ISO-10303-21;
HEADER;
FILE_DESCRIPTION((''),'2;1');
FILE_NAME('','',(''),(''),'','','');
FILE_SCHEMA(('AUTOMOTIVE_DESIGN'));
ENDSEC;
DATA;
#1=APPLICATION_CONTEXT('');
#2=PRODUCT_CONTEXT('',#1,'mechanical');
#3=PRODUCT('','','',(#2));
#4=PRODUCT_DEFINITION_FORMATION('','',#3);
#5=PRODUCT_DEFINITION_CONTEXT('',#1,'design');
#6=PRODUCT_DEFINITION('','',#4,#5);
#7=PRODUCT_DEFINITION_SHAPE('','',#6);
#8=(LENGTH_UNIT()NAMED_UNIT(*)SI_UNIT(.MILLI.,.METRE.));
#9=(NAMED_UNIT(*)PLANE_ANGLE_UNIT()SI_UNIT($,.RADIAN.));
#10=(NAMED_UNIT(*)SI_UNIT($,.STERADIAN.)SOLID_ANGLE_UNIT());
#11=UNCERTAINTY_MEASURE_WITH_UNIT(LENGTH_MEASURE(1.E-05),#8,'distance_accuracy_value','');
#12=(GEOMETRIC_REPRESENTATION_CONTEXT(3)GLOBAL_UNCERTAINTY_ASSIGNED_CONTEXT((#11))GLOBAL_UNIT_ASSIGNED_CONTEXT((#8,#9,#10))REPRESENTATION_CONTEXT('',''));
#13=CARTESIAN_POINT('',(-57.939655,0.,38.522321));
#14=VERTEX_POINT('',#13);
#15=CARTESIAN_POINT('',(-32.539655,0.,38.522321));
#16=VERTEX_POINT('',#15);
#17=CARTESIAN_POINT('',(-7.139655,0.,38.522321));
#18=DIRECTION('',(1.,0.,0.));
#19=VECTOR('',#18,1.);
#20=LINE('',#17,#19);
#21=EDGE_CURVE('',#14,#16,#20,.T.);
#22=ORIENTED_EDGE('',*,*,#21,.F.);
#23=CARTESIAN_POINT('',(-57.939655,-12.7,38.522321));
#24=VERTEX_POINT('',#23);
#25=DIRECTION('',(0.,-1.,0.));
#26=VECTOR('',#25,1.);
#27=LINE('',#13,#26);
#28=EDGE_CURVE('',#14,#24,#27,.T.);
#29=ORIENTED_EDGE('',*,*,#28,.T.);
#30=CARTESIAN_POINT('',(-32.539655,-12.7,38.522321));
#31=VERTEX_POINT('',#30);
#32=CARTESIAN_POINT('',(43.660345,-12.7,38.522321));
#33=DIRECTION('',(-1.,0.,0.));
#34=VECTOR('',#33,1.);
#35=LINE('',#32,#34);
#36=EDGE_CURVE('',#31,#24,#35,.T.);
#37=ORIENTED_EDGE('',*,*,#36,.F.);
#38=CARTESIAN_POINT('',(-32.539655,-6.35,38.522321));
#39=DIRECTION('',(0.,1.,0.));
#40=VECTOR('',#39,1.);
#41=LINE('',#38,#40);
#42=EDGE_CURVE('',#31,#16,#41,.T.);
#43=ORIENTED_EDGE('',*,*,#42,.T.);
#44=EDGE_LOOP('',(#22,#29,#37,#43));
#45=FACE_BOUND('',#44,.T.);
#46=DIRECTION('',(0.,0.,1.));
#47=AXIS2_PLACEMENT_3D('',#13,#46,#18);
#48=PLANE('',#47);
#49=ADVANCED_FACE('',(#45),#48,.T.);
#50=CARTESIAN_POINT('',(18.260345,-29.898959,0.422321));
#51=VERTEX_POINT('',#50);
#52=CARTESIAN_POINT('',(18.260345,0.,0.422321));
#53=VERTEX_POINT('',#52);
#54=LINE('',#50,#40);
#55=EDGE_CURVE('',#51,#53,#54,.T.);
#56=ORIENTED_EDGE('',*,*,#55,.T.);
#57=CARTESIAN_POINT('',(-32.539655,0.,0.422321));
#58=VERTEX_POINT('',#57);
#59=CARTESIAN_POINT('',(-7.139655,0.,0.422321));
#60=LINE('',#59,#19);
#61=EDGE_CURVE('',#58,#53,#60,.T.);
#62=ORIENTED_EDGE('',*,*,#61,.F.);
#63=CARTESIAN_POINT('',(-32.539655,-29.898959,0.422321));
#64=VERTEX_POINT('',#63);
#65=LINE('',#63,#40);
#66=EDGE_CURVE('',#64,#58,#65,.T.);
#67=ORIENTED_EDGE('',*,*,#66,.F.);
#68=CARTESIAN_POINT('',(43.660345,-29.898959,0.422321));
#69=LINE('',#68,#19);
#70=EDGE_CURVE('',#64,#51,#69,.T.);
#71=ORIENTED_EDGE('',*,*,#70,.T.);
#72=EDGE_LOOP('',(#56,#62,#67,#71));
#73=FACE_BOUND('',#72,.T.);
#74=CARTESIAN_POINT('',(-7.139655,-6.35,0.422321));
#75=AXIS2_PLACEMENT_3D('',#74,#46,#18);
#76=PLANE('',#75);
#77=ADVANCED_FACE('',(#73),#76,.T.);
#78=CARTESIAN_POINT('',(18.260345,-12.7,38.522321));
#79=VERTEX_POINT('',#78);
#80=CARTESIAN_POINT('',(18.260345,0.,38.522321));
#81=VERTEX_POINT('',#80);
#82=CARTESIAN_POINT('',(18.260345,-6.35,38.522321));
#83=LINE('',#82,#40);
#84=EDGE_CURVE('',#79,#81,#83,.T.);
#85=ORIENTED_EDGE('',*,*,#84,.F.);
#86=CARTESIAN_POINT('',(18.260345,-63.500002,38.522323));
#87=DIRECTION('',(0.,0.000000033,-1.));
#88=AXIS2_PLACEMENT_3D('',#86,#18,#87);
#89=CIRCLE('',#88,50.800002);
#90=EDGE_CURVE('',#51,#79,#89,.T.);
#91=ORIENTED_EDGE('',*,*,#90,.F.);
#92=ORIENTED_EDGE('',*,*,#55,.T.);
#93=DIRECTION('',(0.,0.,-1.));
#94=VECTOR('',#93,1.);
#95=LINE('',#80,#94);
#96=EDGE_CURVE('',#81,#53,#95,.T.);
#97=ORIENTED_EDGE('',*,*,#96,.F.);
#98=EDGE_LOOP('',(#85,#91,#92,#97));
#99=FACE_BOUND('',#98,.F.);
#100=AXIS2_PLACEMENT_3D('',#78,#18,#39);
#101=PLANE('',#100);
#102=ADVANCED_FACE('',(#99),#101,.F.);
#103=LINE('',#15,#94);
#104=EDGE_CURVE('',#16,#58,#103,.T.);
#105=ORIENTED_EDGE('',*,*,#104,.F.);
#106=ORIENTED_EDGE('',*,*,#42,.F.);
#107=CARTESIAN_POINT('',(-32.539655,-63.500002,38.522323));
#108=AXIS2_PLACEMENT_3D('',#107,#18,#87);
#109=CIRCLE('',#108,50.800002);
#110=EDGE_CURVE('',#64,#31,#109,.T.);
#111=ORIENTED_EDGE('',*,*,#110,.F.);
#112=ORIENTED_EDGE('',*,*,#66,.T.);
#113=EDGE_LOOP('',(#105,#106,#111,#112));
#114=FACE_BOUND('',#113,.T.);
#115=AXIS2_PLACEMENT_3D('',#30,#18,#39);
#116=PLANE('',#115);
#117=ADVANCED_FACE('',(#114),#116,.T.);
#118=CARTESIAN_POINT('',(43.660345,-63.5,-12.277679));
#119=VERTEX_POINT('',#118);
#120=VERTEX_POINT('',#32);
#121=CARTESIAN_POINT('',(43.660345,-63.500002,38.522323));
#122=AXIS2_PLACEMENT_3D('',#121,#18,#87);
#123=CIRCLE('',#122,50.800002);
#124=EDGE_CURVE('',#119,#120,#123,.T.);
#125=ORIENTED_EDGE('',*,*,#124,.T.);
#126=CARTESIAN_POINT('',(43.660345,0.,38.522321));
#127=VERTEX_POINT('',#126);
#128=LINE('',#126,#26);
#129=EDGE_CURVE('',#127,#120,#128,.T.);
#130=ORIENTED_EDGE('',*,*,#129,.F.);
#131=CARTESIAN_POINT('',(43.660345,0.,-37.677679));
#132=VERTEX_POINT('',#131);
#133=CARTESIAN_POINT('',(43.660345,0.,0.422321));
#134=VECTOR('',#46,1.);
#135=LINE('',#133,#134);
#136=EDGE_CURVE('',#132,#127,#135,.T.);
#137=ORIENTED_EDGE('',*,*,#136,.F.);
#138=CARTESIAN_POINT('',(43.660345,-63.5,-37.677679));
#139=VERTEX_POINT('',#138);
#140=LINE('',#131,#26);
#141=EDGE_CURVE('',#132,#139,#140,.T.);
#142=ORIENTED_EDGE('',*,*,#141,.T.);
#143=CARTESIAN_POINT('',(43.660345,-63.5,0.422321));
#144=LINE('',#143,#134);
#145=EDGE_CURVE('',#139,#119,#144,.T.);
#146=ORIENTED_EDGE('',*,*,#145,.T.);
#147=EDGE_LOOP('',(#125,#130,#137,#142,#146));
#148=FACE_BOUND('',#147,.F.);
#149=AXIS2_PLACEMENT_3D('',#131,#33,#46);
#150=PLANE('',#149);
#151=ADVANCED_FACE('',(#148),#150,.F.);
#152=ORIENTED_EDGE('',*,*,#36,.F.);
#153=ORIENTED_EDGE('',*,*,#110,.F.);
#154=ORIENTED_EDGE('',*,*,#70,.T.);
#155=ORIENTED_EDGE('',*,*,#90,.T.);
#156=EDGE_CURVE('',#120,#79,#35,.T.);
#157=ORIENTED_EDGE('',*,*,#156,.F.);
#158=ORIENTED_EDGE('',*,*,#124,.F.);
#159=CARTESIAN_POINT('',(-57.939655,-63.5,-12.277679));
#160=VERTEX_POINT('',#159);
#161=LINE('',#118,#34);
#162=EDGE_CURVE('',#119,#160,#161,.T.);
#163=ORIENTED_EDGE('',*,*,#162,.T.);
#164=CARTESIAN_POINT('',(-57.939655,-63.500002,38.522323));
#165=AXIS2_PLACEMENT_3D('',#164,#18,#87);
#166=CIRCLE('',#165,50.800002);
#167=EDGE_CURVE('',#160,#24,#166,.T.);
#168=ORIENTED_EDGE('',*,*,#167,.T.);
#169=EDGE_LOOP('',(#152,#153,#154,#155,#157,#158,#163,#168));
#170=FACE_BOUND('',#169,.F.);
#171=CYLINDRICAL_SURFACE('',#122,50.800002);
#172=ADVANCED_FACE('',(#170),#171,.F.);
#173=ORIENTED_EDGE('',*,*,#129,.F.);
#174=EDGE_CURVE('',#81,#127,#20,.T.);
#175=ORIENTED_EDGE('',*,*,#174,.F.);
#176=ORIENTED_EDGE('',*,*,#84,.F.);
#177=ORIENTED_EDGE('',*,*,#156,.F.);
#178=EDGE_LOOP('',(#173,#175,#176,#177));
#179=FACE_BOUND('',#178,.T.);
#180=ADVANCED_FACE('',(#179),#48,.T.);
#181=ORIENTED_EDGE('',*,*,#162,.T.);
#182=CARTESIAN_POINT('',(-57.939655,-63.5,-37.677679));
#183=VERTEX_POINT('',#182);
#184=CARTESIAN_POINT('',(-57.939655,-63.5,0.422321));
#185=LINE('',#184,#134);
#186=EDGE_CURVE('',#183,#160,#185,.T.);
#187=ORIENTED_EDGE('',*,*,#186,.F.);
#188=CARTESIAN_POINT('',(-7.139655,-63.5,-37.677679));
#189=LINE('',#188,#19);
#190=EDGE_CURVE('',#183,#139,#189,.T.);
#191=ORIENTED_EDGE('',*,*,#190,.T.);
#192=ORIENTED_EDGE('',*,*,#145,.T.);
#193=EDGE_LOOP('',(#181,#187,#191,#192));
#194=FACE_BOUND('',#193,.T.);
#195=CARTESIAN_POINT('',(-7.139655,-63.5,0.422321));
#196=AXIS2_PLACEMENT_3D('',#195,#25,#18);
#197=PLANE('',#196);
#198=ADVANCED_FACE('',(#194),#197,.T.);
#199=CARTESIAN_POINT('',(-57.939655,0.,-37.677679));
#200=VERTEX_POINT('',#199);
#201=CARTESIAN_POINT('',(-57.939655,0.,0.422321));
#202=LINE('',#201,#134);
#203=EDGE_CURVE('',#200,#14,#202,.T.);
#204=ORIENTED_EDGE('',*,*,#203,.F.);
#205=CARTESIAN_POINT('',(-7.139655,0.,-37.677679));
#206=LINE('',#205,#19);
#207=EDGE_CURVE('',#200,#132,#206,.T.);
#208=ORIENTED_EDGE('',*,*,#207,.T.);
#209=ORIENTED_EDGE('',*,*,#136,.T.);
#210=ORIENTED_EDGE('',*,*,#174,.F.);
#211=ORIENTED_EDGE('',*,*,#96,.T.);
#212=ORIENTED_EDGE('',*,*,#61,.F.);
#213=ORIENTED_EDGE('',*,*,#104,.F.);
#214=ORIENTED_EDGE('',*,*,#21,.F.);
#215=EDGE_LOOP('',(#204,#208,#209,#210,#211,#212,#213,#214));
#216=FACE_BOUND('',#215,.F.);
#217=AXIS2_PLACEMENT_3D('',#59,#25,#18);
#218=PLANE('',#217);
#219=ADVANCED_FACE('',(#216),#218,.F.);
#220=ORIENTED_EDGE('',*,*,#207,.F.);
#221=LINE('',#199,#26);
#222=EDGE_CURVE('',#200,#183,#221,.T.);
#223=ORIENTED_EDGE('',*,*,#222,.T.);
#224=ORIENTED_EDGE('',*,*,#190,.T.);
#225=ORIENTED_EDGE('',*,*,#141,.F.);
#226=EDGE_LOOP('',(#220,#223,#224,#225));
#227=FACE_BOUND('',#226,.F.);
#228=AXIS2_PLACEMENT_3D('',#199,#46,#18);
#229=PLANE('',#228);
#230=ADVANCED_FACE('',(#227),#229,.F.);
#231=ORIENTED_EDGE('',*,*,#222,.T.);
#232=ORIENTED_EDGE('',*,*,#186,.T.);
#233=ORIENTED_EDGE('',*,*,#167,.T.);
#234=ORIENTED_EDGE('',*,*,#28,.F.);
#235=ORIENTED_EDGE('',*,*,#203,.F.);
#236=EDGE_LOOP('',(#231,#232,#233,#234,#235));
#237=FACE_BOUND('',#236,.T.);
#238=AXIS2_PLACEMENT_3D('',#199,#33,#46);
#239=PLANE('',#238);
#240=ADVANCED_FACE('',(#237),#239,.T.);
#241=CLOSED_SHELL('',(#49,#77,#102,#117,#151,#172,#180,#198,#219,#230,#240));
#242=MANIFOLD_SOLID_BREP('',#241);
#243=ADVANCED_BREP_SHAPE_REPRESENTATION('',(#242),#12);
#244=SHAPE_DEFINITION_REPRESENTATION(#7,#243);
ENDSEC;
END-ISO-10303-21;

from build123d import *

# Parameters (mm, degrees)
F0_W      = 101.6
F0_H      = 76.2
F1_DEPTH  = 63.5
F3_DEPTH  = 101.601
F4_W      = 50.8
F4_H      = 12.7
F5_DEPTH  = 38.1
F5_FACE_W = 50.8
F5_FACE_H = 38.1
F6_DEPTH  = 50.801


with BuildPart() as f1:
    # F0 (on Front) → F1 (new body)
    with BuildSketch(Plane.XZ):
        with Locations((-7.139655, 0.422321)):
            Rectangle(F0_W, F0_H)
    extrude(amount=F1_DEPTH)

    # F2 (on face) → F3 (cut, through all)
    with BuildSketch(Plane.YZ.offset(43.660345)):
        with BuildLine():
            Line((-63.5, 38.522321), (-63.5, -12.277679))
            ThreePointArc((-63.5, -12.277679), (-27.578976, 2.601297), (-12.7, 38.522321))
            Line((-12.7, 38.522321), (-63.5, 38.522321))
        make_face()
    extrude(amount=-F3_DEPTH, mode=Mode.SUBTRACT)

    # F4 (on face) → F5 (cut)
    with BuildSketch(Plane.XY.offset(38.522321)):
        with Locations((-7.139655, -6.35)):
            Rectangle(F4_W, F4_H)
    extrude(amount=-F5_DEPTH, mode=Mode.SUBTRACT)

    # F5_face (on face) → F6 (cut, through all)
    with BuildSketch(Plane(origin=(-7.139655, -12.7, 19.472321), x_dir=(-1, 0, 0), z_dir=(0, 1, 0))):
        Rectangle(F5_FACE_W, F5_FACE_H)
    extrude(amount=-F6_DEPTH, mode=Mode.SUBTRACT)


solid = f1.part
